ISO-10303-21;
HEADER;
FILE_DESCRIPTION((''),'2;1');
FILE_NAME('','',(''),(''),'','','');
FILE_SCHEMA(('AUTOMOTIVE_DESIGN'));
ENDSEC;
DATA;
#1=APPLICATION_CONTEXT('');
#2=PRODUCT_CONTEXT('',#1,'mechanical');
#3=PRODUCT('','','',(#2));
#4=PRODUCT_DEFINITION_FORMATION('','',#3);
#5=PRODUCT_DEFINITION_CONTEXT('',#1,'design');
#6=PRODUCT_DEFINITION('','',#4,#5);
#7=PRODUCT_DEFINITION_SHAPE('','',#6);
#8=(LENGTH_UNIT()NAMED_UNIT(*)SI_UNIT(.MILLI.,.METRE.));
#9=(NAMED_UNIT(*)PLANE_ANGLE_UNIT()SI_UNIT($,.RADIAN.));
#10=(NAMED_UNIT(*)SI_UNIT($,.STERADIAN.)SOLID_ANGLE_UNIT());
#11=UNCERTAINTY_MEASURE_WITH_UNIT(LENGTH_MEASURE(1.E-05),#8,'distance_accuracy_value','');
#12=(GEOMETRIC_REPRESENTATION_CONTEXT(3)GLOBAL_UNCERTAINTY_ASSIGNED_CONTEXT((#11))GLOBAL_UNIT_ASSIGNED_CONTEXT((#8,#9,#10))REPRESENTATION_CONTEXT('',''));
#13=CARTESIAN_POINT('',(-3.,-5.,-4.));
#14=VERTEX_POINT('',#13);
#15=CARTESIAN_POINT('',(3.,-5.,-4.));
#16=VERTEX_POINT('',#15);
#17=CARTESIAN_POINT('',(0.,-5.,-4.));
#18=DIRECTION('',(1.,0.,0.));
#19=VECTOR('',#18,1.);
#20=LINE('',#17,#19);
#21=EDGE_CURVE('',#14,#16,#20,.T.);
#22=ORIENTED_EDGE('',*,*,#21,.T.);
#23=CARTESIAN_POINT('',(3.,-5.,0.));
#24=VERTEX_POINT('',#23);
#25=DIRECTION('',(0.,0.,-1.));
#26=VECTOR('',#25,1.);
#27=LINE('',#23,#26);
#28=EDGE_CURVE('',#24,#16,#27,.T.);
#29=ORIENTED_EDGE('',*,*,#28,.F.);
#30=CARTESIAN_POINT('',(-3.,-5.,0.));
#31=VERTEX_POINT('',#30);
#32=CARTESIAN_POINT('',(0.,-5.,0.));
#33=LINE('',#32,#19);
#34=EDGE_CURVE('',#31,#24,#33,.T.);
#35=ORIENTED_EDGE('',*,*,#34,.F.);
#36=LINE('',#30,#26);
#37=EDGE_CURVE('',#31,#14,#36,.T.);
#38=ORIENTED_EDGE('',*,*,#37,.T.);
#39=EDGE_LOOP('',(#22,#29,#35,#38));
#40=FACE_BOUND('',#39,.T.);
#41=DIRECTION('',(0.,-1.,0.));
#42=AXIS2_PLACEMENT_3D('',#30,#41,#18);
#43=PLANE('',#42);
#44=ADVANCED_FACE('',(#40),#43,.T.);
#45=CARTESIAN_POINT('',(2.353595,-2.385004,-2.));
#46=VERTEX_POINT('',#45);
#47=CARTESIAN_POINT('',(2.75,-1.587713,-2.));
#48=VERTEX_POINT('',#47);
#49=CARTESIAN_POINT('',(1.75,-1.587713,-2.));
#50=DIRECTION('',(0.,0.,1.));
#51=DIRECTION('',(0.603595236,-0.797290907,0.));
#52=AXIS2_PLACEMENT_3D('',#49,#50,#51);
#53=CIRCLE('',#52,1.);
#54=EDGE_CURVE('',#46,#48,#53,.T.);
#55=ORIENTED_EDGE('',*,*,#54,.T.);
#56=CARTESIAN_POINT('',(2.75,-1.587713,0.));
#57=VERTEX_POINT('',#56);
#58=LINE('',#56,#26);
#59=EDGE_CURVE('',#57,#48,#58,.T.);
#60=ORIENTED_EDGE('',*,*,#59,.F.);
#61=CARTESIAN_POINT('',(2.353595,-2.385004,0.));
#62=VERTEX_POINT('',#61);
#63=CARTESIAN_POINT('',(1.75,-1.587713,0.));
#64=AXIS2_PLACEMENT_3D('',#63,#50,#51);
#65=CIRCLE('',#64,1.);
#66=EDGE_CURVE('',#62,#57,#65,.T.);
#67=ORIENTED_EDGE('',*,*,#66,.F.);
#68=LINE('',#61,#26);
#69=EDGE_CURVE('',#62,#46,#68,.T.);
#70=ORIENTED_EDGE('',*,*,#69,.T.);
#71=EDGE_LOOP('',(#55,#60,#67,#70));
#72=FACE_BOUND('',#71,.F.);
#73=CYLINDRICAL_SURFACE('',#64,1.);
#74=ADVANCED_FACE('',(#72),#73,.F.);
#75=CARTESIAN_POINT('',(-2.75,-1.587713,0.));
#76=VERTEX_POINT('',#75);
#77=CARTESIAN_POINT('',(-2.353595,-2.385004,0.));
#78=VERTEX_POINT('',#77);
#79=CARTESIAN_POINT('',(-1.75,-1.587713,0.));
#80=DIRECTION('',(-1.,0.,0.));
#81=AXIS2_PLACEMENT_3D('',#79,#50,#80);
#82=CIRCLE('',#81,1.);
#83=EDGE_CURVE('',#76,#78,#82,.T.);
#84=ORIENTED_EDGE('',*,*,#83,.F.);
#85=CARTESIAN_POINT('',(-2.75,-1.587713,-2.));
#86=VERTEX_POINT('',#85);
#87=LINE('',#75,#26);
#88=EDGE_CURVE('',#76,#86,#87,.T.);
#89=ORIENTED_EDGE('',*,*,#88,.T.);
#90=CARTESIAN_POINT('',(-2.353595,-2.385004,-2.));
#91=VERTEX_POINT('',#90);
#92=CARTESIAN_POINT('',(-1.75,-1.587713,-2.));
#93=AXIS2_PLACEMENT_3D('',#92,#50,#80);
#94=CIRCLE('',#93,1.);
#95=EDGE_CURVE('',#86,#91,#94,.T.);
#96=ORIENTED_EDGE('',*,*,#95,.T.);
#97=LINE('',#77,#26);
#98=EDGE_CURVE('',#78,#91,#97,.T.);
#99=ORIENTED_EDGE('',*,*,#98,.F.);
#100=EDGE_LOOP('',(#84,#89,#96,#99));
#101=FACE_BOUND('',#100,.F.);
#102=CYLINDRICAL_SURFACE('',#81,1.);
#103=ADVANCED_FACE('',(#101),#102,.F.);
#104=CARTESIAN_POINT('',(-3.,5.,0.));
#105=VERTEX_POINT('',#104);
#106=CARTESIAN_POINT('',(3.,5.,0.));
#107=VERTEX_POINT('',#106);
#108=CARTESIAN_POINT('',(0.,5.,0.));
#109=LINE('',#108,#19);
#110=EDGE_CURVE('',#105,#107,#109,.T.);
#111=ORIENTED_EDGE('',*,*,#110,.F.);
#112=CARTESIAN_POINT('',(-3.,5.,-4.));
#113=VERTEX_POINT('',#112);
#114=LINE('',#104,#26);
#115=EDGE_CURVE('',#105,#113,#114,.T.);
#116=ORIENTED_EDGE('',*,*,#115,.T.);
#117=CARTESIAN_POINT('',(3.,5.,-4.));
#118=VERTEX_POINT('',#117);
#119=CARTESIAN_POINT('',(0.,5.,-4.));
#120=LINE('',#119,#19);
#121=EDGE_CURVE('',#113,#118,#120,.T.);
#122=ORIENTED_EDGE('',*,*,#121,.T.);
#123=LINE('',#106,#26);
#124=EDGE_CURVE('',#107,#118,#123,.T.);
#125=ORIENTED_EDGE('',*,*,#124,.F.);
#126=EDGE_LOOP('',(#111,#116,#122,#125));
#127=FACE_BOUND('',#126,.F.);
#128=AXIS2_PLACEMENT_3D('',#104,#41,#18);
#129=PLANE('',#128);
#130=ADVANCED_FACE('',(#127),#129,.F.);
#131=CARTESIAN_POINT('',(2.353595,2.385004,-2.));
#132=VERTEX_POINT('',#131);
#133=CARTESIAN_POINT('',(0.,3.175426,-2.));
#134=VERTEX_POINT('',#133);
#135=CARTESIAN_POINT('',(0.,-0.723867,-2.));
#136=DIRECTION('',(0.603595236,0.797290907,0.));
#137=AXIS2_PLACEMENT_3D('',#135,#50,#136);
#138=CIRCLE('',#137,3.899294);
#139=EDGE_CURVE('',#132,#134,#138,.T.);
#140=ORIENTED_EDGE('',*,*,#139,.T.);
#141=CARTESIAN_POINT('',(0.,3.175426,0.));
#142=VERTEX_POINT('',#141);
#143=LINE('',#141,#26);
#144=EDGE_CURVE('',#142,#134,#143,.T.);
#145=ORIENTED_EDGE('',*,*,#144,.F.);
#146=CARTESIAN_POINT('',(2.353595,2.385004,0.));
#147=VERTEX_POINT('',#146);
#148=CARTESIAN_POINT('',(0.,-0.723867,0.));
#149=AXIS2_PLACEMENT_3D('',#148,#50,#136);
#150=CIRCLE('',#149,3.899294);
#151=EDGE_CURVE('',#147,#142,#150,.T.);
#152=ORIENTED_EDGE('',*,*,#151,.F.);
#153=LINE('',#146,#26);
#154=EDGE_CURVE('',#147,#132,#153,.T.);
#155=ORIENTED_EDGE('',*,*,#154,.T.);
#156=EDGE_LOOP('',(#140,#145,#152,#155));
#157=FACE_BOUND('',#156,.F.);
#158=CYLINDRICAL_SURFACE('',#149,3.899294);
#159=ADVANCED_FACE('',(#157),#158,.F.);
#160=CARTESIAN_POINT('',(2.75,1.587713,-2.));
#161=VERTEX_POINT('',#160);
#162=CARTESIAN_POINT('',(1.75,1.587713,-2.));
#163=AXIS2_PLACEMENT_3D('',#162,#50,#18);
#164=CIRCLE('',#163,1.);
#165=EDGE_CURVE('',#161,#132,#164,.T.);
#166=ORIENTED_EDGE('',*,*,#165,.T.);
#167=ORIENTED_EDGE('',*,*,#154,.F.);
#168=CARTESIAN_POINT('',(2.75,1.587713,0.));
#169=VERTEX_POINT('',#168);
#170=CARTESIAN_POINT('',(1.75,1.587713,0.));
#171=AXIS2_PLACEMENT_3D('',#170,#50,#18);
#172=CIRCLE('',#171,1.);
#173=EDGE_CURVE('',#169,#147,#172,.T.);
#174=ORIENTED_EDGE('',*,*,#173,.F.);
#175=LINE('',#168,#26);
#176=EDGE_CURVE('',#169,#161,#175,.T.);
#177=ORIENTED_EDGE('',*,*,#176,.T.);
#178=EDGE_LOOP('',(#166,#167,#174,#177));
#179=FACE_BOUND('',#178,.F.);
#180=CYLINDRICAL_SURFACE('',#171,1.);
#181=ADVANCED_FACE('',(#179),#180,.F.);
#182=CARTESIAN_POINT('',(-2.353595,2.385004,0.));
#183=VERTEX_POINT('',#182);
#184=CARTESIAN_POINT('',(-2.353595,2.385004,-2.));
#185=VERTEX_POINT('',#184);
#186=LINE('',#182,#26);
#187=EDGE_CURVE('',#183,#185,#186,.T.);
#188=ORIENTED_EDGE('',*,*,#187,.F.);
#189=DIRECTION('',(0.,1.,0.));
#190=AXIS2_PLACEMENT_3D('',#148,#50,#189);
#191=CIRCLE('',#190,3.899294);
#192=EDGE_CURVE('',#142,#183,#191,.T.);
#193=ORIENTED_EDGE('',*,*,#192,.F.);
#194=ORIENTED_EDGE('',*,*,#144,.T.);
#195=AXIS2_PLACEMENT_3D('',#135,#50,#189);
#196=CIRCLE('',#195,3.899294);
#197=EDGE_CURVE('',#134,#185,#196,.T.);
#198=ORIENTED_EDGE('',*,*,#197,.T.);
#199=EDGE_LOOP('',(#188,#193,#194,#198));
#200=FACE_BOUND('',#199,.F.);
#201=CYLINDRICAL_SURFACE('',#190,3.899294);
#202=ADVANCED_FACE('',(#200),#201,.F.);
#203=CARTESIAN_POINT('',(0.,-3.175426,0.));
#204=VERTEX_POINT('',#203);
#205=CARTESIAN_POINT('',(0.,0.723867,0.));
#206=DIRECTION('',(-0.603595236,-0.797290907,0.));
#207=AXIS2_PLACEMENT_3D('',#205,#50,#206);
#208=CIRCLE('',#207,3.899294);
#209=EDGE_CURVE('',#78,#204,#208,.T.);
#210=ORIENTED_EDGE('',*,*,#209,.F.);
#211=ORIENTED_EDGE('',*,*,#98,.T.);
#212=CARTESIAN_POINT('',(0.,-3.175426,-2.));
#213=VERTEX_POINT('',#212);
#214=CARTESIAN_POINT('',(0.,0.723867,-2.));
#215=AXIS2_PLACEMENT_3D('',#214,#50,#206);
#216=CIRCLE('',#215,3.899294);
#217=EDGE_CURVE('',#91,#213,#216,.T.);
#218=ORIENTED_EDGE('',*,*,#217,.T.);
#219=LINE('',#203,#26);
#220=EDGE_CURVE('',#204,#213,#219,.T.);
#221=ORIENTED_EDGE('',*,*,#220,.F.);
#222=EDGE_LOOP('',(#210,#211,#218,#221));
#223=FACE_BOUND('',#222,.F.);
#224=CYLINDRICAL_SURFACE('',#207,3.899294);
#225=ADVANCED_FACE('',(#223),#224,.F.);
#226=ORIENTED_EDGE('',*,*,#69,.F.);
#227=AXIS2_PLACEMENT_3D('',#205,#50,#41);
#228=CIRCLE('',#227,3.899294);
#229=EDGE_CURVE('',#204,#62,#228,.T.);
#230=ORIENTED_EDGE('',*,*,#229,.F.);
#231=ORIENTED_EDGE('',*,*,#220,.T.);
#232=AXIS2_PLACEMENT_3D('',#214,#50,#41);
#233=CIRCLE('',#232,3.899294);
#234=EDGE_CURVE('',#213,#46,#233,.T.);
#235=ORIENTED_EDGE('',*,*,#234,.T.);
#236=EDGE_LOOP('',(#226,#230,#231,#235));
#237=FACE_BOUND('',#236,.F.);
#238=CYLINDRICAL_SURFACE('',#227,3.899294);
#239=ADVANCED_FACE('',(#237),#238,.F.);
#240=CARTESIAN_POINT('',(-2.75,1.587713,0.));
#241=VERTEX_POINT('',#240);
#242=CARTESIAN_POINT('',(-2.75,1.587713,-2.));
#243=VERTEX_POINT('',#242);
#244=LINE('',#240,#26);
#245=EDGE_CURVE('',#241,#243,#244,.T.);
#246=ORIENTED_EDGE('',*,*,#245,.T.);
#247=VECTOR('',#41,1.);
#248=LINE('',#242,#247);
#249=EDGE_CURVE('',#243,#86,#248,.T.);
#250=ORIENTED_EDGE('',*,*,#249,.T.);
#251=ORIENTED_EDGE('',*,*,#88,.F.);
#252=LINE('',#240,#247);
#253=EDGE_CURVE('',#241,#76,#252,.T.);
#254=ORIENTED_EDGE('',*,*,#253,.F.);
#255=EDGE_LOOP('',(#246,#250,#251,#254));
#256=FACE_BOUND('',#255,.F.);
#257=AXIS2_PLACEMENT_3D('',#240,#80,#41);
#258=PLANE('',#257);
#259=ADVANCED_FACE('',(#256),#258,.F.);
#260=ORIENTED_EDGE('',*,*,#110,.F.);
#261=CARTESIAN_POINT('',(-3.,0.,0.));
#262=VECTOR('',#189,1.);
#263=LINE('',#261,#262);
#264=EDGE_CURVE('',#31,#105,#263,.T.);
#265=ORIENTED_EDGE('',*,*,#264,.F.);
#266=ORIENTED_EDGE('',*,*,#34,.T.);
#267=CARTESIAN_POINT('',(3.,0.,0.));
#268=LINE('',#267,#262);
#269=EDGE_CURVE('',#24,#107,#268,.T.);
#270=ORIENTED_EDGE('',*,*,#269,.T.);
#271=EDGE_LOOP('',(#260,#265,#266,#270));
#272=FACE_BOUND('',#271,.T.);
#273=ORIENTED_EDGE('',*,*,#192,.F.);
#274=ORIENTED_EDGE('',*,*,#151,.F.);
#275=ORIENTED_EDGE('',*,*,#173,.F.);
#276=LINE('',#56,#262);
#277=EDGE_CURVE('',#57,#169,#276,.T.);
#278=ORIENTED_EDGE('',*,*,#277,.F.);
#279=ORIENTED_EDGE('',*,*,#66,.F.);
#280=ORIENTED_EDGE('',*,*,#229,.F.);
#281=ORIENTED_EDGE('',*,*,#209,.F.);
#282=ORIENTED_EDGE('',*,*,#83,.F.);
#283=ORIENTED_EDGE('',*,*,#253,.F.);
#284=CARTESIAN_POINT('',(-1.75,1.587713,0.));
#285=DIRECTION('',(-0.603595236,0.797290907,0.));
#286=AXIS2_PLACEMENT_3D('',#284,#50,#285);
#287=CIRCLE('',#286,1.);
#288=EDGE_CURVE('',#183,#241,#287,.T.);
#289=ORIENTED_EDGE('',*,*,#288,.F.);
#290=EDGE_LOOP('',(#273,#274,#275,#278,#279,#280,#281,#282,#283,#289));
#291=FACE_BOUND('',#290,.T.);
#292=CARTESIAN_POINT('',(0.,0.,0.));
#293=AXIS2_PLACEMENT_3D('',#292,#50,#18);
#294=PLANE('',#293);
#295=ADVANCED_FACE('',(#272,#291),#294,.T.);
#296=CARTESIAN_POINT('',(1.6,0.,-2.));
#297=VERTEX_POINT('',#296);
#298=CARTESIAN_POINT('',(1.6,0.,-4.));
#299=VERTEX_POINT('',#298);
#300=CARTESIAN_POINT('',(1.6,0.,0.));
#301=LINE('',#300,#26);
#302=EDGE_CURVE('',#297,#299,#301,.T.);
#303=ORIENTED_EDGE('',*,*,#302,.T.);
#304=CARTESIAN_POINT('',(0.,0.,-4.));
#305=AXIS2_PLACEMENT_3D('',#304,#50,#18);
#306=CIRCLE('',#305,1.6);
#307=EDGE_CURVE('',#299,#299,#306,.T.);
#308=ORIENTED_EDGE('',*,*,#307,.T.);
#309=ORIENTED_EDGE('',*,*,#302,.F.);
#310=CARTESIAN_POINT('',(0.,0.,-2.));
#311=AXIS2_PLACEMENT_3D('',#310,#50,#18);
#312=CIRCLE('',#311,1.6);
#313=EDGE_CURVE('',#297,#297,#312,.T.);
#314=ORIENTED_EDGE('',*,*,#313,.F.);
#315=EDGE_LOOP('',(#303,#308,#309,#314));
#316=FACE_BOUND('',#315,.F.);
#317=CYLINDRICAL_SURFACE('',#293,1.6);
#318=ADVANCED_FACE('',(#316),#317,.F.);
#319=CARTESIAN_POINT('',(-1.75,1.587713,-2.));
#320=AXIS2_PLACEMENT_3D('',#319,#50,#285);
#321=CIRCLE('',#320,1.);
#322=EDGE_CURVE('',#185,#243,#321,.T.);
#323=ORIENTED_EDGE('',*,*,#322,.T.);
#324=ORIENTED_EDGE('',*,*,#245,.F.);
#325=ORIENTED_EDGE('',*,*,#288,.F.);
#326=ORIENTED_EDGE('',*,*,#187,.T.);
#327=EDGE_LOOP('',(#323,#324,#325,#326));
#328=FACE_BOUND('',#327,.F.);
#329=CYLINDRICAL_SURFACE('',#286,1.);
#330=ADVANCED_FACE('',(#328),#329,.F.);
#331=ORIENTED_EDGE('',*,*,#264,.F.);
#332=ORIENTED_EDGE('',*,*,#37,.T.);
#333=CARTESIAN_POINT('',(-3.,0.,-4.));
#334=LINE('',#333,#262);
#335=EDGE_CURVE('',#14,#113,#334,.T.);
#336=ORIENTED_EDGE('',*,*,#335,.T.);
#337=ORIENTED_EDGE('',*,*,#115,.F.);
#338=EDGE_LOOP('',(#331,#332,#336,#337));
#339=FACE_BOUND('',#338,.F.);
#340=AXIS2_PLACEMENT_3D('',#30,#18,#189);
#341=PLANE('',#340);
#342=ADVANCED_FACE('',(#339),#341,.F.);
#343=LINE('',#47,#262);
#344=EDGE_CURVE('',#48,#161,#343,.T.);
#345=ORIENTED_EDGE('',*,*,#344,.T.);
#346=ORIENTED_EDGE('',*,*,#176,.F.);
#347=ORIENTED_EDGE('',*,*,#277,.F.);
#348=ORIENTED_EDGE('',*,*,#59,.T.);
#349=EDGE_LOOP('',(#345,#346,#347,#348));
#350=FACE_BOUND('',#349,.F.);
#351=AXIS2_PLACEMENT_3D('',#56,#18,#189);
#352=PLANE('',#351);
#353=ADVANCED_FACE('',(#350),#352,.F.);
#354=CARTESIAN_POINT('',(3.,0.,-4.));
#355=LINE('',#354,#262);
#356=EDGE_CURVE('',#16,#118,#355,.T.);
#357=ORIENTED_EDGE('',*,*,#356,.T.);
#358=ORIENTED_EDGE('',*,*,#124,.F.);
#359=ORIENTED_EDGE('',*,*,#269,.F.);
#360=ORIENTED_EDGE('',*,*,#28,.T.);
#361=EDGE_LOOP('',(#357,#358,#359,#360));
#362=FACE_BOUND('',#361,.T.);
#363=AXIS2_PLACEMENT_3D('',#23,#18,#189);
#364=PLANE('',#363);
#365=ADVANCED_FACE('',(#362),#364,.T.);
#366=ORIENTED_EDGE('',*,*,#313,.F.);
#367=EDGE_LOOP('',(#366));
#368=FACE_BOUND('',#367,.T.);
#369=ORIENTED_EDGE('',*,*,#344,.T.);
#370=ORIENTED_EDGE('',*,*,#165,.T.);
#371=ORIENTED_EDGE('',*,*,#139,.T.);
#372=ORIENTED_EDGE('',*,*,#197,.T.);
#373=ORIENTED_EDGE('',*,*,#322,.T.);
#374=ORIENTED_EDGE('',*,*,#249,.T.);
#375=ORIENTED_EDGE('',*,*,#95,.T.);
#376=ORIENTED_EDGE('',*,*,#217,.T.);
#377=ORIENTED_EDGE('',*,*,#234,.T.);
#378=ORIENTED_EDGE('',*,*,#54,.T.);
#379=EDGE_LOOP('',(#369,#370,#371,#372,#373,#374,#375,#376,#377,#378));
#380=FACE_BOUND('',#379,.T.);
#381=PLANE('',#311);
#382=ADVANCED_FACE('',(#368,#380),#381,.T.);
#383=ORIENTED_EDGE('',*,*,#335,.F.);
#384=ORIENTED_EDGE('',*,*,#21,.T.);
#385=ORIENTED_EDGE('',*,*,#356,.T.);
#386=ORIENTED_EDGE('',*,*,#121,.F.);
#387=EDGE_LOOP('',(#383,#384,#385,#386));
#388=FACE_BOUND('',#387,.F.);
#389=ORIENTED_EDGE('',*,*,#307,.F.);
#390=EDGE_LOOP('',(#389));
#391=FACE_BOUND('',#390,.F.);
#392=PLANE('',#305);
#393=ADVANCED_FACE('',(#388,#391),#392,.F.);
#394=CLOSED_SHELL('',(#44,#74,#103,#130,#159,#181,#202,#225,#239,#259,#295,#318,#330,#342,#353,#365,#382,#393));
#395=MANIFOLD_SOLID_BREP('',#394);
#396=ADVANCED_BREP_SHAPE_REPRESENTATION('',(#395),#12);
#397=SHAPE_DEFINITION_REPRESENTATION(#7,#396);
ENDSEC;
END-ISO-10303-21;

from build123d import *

# Parameters (mm, degrees)
F0_W     = 6
F0_H     = 10
F0_R     = 1.6
F1_DEPTH = 4
F2_DEPTH = 2


with BuildPart() as f1:
    # F0 (on Top) → F1 (new body)
    with BuildSketch(Plane.XY):
        Rectangle(F0_W, F0_H)
        with BuildLine():
            ThreePointArc((2.353595236, 2.3850041477), (2.6454315261, 2.0329125013), (2.75, 1.5877132403))
            Line((2.75, 1.5877132403), (2.75, -1.5877132403))
            ThreePointArc((2.75, -1.5877132403), (2.6454315261, -2.0329125013), (2.353595236, -2.3850041477))
            ThreePointArc((2.353595236, -2.3850041477), (1.2413881342, -2.9725427889), (0, -3.1754264805))
            ThreePointArc((0, -3.1754264805), (-1.2413881342, -2.9725427889), (-2.353595236, -2.3850041477))
            ThreePointArc((-2.353595236, -2.3850041477), (-2.6454315261, -2.0329125013), (-2.75, -1.5877132403))
            Line((-2.75, -1.5877132403), (-2.75, 1.5877132403))
            ThreePointArc((-2.75, 1.5877132403), (-2.6454315261, 2.0329125013), (-2.353595236, 2.3850041477))
            ThreePointArc((-2.353595236, 2.3850041477), (-1.2413881342, 2.9725427889), (0, 3.1754264805))
            ThreePointArc((0, 3.1754264805), (1.2413881342, 2.9725427889), (2.353595236, 2.3850041477))
        make_face(mode=Mode.SUBTRACT)
        with BuildLine():
            Line((-2.0541481362, 1.9894635012), (0, 3.1754264805))
            ThreePointArc((0, 3.1754264805), (-1.2413881342, 2.9725427889), (-2.353595236, 2.3850041477))
            Line((-2.353595236, 2.3850041477), (-2.0541481362, 1.9894635012))
        make_face()
        with BuildLine():
            Line((-2.75, 1.5877132403), (-2.0541481362, 1.9894635012))
            Line((-2.0541481362, 1.9894635012), (-2.353595236, 2.3850041477))
            ThreePointArc((-2.353595236, 2.3850041477), (-2.6454315261, 2.0329125013), (-2.75, 1.5877132403))
        make_face()
        with BuildLine():
            Line((0, 3.1754264805), (2.0541481362, 1.9894635012))
            Line((2.0541481362, 1.9894635012), (2.353595236, 2.3850041477))
            ThreePointArc((2.353595236, 2.3850041477), (1.2413881342, 2.9725427889), (0, 3.1754264805))
        make_face()
        with BuildLine():
            Line((2.0541481362, 1.9894635012), (2.75, 1.5877132403))
            ThreePointArc((2.75, 1.5877132403), (2.6454315261, 2.0329125013), (2.353595236, 2.3850041477))
            Line((2.353595236, 2.3850041477), (2.0541481362, 1.9894635012))
        make_face()
        Polygon((2.75, -1.5877132403), (2.75, 1.5877132403), (2.0541481362, 1.9894635012), (0, 3.1754264805), (-2.0541481362, 1.9894635012), (-2.75, 1.5877132403), (-2.75, -1.5877132403), (-2.0541481362, -1.9894635012), (0, -3.1754264805), (2.0541481362, -1.9894635012), align=None)
        Circle(F0_R, mode=Mode.SUBTRACT)
        with BuildLine():
            Line((2.353595236, -2.3850041477), (2.0541481362, -1.9894635012))
            Line((2.0541481362, -1.9894635012), (0, -3.1754264805))
            ThreePointArc((0, -3.1754264805), (1.2413881342, -2.9725427889), (2.353595236, -2.3850041477))
        make_face()
        with BuildLine():
            ThreePointArc((2.353595236, -2.3850041477), (2.6454315261, -2.0329125013), (2.75, -1.5877132403))
            Line((2.75, -1.5877132403), (2.0541481362, -1.9894635012))
            Line((2.0541481362, -1.9894635012), (2.353595236, -2.3850041477))
        make_face()
        with BuildLine():
            ThreePointArc((-2.353595236, -2.3850041477), (-1.2413881342, -2.9725427889), (0, -3.1754264805))
            Line((0, -3.1754264805), (-2.0541481362, -1.9894635012))
            Line((-2.0541481362, -1.9894635012), (-2.353595236, -2.3850041477))
        make_face()
        with BuildLine():
            Line((-2.353595236, -2.3850041477), (-2.0541481362, -1.9894635012))
            Line((-2.0541481362, -1.9894635012), (-2.75, -1.5877132403))
            ThreePointArc((-2.75, -1.5877132403), (-2.6454315261, -2.0329125013), (-2.353595236, -2.3850041477))
        make_face()
    extrude(amount=-F1_DEPTH)

    # F0 (on Top) → F2 (cut)
    with BuildSketch(Plane.XY):
        Polygon((2.75, -1.5877132403), (2.75, 1.5877132403), (2.0541481362, 1.9894635012), (0, 3.1754264805), (-2.0541481362, 1.9894635012), (-2.75, 1.5877132403), (-2.75, -1.5877132403), (-2.0541481362, -1.9894635012), (0, -3.1754264805), (2.0541481362, -1.9894635012), align=None)
        Circle(F0_R, mode=Mode.SUBTRACT)
        with BuildLine():
            Line((-2.75, 1.5877132403), (-2.0541481362, 1.9894635012))
            Line((-2.0541481362, 1.9894635012), (-2.353595236, 2.3850041477))
            ThreePointArc((-2.353595236, 2.3850041477), (-2.6454315261, 2.0329125013), (-2.75, 1.5877132403))
        make_face()
        with BuildLine():
            Line((-2.0541481362, 1.9894635012), (0, 3.1754264805))
            ThreePointArc((0, 3.1754264805), (-1.2413881342, 2.9725427889), (-2.353595236, 2.3850041477))
            Line((-2.353595236, 2.3850041477), (-2.0541481362, 1.9894635012))
        make_face()
        with BuildLine():
            ThreePointArc((2.353595236, -2.3850041477), (2.6454315261, -2.0329125013), (2.75, -1.5877132403))
            Line((2.75, -1.5877132403), (2.0541481362, -1.9894635012))
            Line((2.0541481362, -1.9894635012), (2.353595236, -2.3850041477))
        make_face()
        with BuildLine():
            Line((2.353595236, -2.3850041477), (2.0541481362, -1.9894635012))
            Line((2.0541481362, -1.9894635012), (0, -3.1754264805))
            ThreePointArc((0, -3.1754264805), (1.2413881342, -2.9725427889), (2.353595236, -2.3850041477))
        make_face()
        with BuildLine():
            Line((0, 3.1754264805), (2.0541481362, 1.9894635012))
            Line((2.0541481362, 1.9894635012), (2.353595236, 2.3850041477))
            ThreePointArc((2.353595236, 2.3850041477), (1.2413881342, 2.9725427889), (0, 3.1754264805))
        make_face()
        with BuildLine():
            Line((2.0541481362, 1.9894635012), (2.75, 1.5877132403))
            ThreePointArc((2.75, 1.5877132403), (2.6454315261, 2.0329125013), (2.353595236, 2.3850041477))
            Line((2.353595236, 2.3850041477), (2.0541481362, 1.9894635012))
        make_face()
        with BuildLine():
            ThreePointArc((-2.353595236, -2.3850041477), (-1.2413881342, -2.9725427889), (0, -3.1754264805))
            Line((0, -3.1754264805), (-2.0541481362, -1.9894635012))
            Line((-2.0541481362, -1.9894635012), (-2.353595236, -2.3850041477))
        make_face()
        with BuildLine():
            Line((-2.353595236, -2.3850041477), (-2.0541481362, -1.9894635012))
            Line((-2.0541481362, -1.9894635012), (-2.75, -1.5877132403))
            ThreePointArc((-2.75, -1.5877132403), (-2.6454315261, -2.0329125013), (-2.353595236, -2.3850041477))
        make_face()
    extrude(amount=-F2_DEPTH, mode=Mode.SUBTRACT)


solid = f1.part
